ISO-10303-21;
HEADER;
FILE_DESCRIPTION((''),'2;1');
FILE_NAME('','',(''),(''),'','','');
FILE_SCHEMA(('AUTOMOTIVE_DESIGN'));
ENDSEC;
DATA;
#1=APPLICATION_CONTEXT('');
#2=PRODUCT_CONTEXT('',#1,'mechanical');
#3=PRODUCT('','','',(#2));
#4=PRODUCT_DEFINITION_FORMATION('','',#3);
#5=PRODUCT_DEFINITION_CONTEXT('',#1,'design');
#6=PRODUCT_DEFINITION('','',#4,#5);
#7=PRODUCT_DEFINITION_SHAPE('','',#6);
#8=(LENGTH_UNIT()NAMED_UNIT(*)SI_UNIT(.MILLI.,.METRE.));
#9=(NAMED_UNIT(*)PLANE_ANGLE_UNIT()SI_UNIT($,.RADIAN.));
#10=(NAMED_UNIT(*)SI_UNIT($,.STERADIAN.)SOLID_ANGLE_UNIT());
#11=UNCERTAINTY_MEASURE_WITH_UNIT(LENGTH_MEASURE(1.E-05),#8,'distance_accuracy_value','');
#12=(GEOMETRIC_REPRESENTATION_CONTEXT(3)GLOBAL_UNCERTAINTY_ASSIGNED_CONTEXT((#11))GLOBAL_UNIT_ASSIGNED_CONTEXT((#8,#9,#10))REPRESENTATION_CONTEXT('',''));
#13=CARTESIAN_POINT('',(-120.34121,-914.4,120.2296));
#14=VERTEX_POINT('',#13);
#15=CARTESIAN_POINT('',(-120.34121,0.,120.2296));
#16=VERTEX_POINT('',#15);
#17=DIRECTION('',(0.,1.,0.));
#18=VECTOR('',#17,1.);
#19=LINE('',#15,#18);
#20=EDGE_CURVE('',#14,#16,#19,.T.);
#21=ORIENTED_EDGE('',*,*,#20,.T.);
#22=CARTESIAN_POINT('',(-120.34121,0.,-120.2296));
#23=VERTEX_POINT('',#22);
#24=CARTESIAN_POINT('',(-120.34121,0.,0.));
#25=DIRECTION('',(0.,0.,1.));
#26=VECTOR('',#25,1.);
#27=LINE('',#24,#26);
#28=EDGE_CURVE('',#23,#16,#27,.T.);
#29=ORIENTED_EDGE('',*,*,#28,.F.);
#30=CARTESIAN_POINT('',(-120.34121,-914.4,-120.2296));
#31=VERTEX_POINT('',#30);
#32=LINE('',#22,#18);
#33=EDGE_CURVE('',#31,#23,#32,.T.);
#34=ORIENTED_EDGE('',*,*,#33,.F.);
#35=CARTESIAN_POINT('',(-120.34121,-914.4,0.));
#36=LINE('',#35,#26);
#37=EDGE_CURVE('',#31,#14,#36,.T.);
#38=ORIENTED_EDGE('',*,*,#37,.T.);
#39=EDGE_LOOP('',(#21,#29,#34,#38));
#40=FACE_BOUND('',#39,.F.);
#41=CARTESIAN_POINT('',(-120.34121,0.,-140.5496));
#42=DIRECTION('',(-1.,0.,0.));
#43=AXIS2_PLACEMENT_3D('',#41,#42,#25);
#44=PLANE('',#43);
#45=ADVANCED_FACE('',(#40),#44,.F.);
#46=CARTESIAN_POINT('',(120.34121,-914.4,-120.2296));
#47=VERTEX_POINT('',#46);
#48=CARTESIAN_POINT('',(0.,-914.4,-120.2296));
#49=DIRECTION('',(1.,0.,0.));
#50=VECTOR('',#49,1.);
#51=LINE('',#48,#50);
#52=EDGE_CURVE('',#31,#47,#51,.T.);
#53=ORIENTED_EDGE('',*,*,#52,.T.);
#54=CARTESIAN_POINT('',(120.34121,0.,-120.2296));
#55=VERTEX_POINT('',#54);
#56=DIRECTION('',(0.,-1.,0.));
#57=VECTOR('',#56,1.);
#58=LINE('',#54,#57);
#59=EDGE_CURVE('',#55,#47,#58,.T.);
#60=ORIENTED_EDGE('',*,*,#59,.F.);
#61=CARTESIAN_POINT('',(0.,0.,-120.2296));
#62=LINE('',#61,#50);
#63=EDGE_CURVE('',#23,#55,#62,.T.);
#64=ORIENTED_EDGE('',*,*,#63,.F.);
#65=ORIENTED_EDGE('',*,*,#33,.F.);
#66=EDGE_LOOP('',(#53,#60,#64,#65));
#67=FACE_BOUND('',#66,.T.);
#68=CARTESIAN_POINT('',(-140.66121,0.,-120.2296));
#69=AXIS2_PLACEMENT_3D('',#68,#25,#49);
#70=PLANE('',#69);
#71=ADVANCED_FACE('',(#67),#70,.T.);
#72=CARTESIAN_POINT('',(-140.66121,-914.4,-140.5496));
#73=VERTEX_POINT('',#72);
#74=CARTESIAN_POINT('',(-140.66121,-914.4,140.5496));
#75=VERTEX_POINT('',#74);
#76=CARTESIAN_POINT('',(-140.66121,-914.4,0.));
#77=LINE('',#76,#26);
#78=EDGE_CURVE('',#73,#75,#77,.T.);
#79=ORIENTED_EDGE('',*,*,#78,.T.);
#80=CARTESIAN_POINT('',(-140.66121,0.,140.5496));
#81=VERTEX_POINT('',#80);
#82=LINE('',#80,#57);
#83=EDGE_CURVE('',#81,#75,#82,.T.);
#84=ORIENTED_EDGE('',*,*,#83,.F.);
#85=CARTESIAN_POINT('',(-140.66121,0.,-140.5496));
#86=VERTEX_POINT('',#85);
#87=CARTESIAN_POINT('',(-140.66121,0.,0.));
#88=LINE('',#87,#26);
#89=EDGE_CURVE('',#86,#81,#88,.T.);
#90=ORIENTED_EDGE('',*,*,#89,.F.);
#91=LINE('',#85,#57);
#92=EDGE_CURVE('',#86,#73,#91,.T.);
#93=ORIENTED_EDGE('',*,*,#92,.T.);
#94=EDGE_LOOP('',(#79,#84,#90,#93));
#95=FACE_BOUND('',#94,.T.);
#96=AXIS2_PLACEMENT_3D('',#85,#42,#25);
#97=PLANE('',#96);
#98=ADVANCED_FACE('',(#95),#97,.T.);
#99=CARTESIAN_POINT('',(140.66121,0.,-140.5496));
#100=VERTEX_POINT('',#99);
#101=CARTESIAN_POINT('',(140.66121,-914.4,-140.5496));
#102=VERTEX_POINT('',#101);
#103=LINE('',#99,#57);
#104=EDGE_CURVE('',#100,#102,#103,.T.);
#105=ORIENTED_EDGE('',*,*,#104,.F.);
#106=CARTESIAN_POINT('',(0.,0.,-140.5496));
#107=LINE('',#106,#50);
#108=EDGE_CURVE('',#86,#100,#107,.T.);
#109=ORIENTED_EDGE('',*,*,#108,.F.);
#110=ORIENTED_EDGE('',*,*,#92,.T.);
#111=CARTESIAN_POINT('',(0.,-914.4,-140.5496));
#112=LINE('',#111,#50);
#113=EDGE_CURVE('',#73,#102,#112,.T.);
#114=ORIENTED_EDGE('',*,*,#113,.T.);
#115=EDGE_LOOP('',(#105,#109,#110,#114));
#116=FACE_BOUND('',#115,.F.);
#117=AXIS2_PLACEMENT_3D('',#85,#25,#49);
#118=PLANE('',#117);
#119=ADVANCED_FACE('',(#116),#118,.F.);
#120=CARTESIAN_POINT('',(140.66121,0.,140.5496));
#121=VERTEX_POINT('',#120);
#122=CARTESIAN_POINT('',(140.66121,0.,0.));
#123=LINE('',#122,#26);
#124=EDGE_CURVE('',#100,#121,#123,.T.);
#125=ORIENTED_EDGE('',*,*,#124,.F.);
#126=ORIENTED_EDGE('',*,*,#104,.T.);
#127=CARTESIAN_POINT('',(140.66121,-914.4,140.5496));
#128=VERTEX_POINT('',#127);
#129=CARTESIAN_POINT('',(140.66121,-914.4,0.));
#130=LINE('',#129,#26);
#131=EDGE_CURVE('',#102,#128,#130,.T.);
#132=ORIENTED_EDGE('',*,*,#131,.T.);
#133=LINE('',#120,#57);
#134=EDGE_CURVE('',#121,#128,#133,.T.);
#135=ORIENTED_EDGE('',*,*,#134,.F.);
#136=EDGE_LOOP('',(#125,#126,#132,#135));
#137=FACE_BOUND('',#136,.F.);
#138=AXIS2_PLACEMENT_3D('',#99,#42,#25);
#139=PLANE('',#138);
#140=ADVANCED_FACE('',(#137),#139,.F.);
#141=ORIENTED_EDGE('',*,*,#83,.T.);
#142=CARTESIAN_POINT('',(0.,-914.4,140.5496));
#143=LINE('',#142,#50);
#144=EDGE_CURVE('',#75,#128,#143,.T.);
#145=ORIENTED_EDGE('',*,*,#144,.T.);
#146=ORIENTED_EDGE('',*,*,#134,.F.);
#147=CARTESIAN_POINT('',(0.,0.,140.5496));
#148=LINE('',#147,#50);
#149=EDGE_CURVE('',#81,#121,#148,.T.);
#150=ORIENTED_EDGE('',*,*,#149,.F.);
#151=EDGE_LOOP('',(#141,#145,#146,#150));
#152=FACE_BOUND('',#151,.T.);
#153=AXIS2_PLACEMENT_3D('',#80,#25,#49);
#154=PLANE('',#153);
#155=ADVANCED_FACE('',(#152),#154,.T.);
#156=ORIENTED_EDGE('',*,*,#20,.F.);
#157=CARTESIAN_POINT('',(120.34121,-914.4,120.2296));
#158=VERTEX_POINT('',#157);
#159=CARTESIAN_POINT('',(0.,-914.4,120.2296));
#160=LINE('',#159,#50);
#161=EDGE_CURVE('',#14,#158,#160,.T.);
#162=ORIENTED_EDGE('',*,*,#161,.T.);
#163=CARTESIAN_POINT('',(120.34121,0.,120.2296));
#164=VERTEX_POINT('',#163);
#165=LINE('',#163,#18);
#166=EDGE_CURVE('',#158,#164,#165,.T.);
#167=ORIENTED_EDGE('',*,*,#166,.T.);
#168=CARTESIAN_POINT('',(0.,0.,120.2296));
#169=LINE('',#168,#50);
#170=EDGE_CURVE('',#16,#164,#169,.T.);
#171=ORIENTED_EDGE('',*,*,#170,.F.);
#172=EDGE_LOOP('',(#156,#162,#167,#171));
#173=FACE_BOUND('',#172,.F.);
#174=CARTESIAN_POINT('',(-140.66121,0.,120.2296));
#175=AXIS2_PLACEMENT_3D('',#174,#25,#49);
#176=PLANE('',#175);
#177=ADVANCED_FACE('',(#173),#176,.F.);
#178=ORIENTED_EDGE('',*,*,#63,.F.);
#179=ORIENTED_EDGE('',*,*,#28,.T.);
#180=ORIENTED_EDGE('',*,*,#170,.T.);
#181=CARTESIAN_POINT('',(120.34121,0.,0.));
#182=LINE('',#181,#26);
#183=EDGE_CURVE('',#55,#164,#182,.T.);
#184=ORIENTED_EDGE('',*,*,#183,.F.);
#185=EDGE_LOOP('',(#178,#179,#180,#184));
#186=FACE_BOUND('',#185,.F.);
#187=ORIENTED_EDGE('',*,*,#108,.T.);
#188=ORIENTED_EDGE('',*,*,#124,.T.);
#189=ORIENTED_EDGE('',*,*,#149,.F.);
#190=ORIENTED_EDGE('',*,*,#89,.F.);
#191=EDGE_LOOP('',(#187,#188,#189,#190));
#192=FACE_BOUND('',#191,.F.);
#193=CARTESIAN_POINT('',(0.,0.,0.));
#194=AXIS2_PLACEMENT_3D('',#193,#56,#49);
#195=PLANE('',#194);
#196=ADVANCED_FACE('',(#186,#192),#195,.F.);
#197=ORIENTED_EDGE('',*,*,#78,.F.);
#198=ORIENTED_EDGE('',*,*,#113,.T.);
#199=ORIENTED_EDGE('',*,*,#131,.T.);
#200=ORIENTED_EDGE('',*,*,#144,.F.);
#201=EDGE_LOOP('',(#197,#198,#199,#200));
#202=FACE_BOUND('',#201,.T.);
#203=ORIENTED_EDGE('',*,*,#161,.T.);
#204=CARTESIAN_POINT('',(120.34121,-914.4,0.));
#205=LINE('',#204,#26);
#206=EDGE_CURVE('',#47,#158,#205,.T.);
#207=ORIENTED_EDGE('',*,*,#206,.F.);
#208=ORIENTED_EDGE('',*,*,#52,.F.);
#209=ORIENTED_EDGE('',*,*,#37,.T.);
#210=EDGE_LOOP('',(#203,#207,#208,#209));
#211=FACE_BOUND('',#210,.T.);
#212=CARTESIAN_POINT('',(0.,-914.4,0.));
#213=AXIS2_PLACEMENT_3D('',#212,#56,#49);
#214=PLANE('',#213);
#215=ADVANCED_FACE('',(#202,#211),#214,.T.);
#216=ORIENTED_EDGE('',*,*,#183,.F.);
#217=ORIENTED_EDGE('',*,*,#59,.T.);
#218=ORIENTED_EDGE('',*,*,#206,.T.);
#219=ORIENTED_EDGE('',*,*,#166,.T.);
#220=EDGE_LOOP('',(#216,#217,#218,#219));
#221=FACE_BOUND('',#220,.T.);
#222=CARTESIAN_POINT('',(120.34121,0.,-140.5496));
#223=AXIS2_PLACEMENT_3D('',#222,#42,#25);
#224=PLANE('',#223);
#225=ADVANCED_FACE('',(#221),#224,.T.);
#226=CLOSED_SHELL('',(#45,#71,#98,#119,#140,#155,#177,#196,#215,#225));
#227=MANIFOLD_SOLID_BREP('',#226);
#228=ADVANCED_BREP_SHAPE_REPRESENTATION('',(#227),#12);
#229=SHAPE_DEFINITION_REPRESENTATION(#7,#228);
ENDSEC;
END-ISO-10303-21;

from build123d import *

# Parameters (mm, degrees)
F0_W     = 281.32242
F0_H     = 281.0992
F1_DEPTH = 914.4
F2_T     = -20.32


with BuildPart() as f1:
    # F0 (on Front) → F1 (new body)
    with BuildSketch(Plane.XZ):
        Rectangle(F0_W, F0_H)
    extrude(amount=F1_DEPTH)

    # F2
    f2_openings = [f1.faces().sort_by_distance(p)[0] for p in [
        (0, -914.4, 0),
        (0, 0, 0),
    ]]
    offset(amount=F2_T, openings=f2_openings)


solid = f1.part
